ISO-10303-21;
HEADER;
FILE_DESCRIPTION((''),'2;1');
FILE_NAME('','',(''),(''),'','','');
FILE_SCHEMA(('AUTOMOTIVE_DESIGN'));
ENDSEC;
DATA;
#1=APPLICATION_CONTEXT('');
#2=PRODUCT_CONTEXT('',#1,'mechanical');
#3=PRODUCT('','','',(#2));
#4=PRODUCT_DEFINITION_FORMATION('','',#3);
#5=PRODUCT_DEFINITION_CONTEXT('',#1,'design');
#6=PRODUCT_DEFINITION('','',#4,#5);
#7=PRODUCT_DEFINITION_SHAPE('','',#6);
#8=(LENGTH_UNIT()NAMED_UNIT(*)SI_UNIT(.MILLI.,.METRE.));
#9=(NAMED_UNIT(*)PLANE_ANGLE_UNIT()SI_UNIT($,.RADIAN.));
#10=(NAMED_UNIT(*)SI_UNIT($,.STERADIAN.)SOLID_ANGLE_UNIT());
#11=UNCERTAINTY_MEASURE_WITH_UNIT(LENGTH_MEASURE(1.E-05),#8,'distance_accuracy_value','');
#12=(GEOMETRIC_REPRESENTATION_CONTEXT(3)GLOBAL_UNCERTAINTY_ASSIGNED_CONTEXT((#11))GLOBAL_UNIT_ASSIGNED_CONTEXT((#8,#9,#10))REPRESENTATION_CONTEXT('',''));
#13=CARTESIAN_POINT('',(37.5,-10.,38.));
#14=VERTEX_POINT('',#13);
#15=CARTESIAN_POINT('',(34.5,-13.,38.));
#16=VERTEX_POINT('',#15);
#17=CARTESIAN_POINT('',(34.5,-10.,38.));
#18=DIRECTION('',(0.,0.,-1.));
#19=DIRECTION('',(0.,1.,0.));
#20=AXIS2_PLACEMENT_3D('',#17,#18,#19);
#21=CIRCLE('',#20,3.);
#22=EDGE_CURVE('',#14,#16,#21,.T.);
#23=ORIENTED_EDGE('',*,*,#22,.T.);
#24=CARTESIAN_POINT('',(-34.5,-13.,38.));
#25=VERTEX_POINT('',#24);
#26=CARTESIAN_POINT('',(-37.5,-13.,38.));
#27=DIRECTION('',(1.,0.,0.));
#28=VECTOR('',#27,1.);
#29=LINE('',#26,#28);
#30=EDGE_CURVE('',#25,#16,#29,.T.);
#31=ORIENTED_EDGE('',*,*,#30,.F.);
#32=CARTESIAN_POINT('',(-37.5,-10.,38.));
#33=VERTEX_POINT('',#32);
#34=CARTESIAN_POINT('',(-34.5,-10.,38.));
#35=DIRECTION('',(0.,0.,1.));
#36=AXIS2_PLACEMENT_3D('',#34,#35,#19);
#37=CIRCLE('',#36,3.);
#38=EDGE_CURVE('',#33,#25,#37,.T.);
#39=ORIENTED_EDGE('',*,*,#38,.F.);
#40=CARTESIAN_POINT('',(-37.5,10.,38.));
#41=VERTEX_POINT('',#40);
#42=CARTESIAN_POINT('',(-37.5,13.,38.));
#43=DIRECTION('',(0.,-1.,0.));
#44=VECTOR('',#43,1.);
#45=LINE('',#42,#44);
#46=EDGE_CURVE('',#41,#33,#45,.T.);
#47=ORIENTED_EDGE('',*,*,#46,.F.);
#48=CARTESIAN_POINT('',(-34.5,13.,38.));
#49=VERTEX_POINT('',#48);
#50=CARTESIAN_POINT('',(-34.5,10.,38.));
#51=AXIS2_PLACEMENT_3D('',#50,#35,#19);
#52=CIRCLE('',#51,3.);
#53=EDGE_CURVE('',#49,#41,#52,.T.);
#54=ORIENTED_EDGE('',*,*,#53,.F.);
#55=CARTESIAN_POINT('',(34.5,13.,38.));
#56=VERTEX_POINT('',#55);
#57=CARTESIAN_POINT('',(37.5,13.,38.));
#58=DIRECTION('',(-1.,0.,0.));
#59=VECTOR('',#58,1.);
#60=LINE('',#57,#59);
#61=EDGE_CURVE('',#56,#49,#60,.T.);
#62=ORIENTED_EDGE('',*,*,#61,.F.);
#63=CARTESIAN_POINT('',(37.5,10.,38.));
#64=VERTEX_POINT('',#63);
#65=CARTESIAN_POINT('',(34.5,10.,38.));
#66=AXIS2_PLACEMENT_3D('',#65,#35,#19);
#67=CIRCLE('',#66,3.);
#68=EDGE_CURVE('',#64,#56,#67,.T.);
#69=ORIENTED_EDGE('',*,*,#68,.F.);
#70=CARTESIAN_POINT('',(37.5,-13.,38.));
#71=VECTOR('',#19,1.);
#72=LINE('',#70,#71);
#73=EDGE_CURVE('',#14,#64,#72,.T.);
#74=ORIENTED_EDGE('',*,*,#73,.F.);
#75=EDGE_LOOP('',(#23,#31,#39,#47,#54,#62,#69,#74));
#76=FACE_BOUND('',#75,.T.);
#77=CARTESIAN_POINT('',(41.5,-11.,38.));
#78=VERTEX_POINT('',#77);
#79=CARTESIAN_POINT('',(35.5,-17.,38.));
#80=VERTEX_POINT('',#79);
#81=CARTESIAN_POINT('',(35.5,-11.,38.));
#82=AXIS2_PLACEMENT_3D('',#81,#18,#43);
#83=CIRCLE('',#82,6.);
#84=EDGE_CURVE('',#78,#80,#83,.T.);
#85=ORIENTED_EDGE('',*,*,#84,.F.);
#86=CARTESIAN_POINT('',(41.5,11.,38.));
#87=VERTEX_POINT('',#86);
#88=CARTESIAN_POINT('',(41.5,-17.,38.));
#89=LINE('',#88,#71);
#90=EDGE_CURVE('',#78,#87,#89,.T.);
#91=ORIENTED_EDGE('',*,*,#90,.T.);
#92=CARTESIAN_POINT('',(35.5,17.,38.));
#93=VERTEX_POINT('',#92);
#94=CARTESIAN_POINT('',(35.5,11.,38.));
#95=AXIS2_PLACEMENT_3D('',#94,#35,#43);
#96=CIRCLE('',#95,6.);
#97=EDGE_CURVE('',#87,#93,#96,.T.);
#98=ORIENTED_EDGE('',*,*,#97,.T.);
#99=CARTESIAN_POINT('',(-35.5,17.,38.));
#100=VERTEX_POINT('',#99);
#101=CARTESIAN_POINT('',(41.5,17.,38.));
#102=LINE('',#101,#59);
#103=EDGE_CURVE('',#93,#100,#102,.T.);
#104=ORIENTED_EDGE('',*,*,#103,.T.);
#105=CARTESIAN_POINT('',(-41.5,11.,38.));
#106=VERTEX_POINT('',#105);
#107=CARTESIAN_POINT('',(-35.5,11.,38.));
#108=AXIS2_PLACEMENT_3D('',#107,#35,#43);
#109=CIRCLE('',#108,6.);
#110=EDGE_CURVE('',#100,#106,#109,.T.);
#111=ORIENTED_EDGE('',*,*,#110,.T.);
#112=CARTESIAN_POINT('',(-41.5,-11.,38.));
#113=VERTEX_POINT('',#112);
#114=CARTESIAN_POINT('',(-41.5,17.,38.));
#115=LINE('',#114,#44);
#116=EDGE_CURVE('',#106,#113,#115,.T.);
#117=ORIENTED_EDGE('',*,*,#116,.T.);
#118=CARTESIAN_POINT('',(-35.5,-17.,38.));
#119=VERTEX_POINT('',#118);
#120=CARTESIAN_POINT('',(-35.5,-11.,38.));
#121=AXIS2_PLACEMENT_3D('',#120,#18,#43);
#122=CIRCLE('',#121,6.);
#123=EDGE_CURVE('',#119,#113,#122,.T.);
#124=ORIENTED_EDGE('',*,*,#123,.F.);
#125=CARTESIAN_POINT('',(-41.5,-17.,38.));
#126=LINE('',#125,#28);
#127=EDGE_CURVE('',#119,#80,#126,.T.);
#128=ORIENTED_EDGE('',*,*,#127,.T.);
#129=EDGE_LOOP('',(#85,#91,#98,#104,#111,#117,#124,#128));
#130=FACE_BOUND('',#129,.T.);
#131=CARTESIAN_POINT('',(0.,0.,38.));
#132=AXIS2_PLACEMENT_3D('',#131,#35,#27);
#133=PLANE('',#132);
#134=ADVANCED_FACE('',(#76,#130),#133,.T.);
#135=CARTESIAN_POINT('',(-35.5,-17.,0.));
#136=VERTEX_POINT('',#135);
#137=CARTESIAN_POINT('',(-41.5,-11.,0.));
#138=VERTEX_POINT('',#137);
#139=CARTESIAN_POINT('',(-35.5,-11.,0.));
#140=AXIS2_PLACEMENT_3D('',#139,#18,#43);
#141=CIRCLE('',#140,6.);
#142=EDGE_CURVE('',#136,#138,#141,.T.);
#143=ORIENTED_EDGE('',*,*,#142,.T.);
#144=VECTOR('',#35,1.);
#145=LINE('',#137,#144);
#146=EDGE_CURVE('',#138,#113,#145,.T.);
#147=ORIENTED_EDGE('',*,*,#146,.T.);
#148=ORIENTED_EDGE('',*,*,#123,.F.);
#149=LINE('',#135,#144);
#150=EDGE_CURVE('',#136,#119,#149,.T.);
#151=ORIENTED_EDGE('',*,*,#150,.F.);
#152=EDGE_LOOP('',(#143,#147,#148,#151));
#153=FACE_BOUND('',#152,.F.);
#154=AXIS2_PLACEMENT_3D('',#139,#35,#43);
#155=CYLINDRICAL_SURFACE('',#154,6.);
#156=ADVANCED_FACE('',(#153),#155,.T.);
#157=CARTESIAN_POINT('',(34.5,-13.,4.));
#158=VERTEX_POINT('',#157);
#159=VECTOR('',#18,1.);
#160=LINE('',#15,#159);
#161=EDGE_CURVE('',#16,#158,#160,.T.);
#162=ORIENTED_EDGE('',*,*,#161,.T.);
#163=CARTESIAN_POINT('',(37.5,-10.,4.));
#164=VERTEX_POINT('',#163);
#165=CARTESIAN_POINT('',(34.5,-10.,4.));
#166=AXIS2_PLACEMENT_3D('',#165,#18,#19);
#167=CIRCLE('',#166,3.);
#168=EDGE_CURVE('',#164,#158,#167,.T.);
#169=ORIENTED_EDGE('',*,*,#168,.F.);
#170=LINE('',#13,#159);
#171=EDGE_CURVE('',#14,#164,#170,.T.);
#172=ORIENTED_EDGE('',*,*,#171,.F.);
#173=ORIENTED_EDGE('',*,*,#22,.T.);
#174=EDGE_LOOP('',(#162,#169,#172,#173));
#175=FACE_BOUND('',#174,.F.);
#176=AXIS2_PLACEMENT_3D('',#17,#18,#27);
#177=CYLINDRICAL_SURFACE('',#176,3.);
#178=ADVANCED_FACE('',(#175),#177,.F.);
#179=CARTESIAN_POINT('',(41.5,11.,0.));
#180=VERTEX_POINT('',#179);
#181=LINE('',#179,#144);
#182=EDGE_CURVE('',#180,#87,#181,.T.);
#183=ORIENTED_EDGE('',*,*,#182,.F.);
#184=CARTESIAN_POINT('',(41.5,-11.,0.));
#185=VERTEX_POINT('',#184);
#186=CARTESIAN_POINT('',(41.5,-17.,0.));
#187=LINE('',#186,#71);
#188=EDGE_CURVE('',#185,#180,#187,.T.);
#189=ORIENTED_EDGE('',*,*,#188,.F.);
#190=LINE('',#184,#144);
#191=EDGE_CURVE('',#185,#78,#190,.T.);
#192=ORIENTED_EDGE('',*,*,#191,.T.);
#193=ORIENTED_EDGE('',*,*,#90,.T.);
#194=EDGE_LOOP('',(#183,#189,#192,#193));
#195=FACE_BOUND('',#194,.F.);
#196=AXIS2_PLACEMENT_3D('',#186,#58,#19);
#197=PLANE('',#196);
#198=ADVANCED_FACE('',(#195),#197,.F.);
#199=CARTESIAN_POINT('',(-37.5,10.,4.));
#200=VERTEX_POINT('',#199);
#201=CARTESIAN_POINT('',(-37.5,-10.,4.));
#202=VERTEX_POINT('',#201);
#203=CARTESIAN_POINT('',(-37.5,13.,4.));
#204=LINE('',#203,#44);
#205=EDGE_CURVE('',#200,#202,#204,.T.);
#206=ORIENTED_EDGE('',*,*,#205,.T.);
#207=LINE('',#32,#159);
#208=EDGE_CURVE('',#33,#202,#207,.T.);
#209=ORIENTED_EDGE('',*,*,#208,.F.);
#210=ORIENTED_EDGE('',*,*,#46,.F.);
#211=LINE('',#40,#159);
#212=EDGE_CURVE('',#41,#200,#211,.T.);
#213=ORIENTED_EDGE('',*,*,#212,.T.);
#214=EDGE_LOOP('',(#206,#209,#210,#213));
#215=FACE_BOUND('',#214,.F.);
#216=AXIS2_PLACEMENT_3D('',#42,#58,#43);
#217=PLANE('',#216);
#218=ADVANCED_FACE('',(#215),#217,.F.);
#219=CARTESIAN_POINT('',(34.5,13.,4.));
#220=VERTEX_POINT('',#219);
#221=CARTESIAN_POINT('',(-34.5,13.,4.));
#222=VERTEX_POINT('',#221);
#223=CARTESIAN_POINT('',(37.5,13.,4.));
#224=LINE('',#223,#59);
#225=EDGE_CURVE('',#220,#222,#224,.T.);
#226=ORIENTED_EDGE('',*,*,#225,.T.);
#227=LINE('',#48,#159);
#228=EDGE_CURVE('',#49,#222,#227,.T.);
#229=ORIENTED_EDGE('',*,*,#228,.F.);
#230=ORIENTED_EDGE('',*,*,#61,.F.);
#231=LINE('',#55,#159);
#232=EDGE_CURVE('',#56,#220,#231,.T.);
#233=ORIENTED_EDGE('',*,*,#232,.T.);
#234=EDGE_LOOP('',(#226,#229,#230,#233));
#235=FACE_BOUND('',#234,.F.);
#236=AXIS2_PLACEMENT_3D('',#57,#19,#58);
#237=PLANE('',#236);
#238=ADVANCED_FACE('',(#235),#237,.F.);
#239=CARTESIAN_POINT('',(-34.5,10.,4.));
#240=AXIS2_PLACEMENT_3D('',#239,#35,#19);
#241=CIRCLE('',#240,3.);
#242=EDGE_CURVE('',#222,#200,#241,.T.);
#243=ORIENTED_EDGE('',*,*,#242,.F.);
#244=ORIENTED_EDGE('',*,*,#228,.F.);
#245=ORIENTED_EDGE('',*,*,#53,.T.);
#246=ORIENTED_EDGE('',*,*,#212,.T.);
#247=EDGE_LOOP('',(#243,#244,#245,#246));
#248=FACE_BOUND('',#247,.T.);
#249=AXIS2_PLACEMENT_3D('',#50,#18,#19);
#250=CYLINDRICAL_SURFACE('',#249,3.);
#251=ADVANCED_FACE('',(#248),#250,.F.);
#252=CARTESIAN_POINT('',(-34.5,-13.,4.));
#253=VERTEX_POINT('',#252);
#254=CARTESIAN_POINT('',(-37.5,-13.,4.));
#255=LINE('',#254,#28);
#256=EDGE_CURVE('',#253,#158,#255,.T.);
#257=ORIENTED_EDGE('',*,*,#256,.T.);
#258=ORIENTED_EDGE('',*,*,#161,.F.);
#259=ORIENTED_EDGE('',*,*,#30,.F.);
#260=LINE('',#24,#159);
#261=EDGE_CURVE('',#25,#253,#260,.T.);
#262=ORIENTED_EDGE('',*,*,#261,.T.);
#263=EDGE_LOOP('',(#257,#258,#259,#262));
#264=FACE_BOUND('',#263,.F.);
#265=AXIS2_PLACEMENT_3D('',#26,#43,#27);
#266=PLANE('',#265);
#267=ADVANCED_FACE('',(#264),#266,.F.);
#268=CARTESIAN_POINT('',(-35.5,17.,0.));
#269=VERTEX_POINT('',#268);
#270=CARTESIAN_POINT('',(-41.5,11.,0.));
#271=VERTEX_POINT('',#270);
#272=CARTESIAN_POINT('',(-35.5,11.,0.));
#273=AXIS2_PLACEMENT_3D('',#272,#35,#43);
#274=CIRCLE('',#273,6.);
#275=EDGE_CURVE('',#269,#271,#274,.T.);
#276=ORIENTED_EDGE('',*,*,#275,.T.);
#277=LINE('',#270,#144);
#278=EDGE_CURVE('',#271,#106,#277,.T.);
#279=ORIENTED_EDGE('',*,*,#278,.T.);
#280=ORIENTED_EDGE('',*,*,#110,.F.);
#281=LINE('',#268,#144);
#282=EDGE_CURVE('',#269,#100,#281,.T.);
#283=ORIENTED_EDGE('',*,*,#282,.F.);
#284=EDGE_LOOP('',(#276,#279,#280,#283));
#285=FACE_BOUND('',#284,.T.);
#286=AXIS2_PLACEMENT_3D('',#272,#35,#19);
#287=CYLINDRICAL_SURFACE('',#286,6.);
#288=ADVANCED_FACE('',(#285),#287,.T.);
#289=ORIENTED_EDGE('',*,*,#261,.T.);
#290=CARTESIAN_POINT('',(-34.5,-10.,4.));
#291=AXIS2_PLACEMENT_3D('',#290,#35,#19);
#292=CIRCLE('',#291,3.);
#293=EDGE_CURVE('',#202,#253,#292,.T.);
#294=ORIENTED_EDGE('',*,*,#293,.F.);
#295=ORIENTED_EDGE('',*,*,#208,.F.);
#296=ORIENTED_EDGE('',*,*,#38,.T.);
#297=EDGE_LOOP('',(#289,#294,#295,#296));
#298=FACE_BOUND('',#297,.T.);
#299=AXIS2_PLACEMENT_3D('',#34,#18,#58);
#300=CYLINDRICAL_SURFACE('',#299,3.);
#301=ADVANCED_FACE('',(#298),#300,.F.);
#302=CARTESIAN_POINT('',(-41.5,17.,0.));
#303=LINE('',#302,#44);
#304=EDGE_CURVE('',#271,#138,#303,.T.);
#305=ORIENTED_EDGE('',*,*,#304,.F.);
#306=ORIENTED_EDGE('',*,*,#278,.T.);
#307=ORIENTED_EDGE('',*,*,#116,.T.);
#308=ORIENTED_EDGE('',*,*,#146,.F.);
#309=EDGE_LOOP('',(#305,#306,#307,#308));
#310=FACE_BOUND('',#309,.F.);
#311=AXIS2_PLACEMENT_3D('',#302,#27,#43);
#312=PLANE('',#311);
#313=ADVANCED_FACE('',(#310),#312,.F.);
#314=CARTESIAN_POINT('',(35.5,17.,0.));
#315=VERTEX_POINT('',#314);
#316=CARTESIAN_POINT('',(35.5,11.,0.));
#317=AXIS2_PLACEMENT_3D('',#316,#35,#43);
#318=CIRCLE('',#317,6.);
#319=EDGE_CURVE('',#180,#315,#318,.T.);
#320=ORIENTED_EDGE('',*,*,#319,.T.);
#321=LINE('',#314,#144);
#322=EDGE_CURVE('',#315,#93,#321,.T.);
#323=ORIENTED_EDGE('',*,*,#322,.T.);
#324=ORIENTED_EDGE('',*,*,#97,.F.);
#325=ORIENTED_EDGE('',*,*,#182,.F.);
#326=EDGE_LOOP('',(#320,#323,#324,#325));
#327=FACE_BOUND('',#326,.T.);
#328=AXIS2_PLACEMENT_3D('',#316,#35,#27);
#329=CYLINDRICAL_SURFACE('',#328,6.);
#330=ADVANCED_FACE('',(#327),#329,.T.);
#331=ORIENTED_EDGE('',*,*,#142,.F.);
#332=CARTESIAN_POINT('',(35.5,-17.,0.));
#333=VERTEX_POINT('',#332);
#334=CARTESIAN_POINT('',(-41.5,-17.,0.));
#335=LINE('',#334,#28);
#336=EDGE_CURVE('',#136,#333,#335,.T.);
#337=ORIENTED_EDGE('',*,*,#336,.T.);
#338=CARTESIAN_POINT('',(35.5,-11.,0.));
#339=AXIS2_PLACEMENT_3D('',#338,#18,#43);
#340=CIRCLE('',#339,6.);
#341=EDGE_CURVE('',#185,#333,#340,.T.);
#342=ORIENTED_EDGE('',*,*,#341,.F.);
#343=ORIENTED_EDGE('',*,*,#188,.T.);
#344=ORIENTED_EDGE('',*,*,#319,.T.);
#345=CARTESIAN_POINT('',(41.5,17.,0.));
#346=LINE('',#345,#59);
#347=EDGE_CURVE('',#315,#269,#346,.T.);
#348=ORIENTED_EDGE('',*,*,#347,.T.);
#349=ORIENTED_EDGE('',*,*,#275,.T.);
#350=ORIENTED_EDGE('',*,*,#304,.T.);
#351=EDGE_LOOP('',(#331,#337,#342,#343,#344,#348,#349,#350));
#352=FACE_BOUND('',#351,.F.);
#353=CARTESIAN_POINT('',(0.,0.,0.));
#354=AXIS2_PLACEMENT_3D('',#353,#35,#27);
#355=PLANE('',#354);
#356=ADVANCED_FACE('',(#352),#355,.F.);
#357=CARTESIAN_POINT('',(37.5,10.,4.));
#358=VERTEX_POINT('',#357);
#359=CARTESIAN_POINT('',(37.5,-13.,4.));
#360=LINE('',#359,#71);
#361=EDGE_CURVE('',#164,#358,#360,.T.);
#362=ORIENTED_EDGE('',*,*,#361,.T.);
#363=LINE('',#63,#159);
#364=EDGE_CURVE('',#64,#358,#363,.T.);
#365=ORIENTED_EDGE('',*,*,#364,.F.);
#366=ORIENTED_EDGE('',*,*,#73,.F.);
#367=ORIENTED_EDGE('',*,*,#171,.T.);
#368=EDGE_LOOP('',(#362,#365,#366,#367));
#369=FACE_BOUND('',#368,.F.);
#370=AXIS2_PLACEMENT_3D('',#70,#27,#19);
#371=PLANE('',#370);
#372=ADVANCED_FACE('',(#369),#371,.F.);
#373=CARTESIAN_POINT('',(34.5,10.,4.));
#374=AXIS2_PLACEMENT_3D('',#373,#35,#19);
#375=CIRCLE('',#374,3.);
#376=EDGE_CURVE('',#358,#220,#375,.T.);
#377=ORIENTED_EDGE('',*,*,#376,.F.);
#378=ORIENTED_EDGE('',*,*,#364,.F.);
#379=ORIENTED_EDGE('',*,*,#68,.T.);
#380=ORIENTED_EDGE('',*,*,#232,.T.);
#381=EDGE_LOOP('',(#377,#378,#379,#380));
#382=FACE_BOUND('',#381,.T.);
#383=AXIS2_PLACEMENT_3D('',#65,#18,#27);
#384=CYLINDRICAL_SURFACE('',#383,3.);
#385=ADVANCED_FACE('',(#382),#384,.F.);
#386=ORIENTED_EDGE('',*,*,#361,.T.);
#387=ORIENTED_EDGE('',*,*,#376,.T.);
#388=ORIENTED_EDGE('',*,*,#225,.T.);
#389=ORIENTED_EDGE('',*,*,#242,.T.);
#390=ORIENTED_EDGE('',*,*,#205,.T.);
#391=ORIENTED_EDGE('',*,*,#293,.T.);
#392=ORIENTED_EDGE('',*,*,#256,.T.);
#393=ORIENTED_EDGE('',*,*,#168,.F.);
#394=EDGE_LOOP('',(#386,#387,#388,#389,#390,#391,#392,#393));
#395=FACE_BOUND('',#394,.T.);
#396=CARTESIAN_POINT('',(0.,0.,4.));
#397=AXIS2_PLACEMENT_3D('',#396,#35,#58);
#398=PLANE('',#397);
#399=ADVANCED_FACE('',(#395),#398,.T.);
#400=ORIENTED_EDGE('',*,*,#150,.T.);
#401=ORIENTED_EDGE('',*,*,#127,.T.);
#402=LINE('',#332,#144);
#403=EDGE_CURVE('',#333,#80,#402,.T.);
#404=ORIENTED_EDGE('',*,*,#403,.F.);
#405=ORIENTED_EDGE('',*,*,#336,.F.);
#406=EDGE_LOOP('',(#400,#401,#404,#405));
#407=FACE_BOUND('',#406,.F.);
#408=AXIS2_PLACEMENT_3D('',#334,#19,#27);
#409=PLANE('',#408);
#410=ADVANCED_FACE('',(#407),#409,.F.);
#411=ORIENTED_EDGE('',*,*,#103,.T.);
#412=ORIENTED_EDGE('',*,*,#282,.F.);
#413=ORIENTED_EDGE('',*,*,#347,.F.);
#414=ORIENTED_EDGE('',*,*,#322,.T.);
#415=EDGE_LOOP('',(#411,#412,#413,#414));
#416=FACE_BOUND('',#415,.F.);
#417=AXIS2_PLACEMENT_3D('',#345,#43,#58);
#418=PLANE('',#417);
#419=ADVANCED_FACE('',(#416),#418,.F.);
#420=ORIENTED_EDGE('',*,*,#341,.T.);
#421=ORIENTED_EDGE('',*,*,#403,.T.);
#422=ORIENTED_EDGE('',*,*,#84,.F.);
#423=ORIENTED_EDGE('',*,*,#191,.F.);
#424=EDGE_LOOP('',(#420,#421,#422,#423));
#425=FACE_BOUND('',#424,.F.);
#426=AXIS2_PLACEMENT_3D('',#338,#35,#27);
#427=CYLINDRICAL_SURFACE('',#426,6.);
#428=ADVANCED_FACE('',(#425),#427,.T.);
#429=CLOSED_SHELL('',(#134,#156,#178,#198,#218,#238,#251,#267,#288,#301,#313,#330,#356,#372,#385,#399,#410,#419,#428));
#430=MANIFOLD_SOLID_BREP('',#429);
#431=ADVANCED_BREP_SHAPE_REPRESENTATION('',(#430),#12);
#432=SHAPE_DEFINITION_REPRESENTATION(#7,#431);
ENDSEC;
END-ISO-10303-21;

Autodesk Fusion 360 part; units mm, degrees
sketch "Sketch1" plane through (0, 0, 0) normal (0, 0, 1) x (1, 0, 0) in component "Box"
  line L0 (41.5, 17) -> (-41.5, 17)
  line L1 (-41.5, 17) -> (-41.5, -17)
  line L2 (-41.5, -17) -> (41.5, -17)
  line L3 (41.5, -17) -> (41.5, 17)
  line L4 (41.5, 17) -> (-41.5, -17) construction
  line L5 (-41.5, 17) -> (41.5, -17) construction
  dimension "d1" = 83
  dimension "d2" = 34
extrude "Extrude1" add sketch "Sketch1" along normal blind 38 in component "Box"
sketch "Sketch2" plane through (0, 0, 38) normal (0, 0, 1) x (-1, 0, 0) in component "Box"
  line L0 (-41.5, 17) -> (-41.5, -17)
  line L1 (-41.5, -17) -> (41.5, -17)
  line L2 (41.5, -17) -> (41.5, 17)
  line L3 (41.5, 17) -> (-41.5, 17)
  line L4 (-37.5, -13) -> (37.5, -13)
  line L5 (37.5, -13) -> (37.5, 13)
  line L6 (37.5, 13) -> (-37.5, 13)
  line L7 (-37.5, 13) -> (-37.5, -13)
  dimension "d5" = -4
extrude "Extrude2" cut sketch "Sketch2" against normal up to surface (34 mm away) contours L4 L5 L6 L7 in component "Box"
fillet "Fillet1" radius 3 4 edges at (37.5, 13, 21) (-37.5, 13, 21) (-37.5, -13, 21) (37.5, -13, 21) in component "Box"
fillet "Fillet2" radius 6 4 edges at (-41.5, 17, 19) (-41.5, -17, 19) (41.5, -17, 19) (41.5, 17, 19) in component "Box"
component "Box" placed x (1, 0, 0) y (0, 1, 0) z (0, 0, 1) at (0, 0, 0)
component "Lid" placed x (1, 0, 0) y (0, 1, 0) z (0, 0, 1) at (0, 0, 0)
